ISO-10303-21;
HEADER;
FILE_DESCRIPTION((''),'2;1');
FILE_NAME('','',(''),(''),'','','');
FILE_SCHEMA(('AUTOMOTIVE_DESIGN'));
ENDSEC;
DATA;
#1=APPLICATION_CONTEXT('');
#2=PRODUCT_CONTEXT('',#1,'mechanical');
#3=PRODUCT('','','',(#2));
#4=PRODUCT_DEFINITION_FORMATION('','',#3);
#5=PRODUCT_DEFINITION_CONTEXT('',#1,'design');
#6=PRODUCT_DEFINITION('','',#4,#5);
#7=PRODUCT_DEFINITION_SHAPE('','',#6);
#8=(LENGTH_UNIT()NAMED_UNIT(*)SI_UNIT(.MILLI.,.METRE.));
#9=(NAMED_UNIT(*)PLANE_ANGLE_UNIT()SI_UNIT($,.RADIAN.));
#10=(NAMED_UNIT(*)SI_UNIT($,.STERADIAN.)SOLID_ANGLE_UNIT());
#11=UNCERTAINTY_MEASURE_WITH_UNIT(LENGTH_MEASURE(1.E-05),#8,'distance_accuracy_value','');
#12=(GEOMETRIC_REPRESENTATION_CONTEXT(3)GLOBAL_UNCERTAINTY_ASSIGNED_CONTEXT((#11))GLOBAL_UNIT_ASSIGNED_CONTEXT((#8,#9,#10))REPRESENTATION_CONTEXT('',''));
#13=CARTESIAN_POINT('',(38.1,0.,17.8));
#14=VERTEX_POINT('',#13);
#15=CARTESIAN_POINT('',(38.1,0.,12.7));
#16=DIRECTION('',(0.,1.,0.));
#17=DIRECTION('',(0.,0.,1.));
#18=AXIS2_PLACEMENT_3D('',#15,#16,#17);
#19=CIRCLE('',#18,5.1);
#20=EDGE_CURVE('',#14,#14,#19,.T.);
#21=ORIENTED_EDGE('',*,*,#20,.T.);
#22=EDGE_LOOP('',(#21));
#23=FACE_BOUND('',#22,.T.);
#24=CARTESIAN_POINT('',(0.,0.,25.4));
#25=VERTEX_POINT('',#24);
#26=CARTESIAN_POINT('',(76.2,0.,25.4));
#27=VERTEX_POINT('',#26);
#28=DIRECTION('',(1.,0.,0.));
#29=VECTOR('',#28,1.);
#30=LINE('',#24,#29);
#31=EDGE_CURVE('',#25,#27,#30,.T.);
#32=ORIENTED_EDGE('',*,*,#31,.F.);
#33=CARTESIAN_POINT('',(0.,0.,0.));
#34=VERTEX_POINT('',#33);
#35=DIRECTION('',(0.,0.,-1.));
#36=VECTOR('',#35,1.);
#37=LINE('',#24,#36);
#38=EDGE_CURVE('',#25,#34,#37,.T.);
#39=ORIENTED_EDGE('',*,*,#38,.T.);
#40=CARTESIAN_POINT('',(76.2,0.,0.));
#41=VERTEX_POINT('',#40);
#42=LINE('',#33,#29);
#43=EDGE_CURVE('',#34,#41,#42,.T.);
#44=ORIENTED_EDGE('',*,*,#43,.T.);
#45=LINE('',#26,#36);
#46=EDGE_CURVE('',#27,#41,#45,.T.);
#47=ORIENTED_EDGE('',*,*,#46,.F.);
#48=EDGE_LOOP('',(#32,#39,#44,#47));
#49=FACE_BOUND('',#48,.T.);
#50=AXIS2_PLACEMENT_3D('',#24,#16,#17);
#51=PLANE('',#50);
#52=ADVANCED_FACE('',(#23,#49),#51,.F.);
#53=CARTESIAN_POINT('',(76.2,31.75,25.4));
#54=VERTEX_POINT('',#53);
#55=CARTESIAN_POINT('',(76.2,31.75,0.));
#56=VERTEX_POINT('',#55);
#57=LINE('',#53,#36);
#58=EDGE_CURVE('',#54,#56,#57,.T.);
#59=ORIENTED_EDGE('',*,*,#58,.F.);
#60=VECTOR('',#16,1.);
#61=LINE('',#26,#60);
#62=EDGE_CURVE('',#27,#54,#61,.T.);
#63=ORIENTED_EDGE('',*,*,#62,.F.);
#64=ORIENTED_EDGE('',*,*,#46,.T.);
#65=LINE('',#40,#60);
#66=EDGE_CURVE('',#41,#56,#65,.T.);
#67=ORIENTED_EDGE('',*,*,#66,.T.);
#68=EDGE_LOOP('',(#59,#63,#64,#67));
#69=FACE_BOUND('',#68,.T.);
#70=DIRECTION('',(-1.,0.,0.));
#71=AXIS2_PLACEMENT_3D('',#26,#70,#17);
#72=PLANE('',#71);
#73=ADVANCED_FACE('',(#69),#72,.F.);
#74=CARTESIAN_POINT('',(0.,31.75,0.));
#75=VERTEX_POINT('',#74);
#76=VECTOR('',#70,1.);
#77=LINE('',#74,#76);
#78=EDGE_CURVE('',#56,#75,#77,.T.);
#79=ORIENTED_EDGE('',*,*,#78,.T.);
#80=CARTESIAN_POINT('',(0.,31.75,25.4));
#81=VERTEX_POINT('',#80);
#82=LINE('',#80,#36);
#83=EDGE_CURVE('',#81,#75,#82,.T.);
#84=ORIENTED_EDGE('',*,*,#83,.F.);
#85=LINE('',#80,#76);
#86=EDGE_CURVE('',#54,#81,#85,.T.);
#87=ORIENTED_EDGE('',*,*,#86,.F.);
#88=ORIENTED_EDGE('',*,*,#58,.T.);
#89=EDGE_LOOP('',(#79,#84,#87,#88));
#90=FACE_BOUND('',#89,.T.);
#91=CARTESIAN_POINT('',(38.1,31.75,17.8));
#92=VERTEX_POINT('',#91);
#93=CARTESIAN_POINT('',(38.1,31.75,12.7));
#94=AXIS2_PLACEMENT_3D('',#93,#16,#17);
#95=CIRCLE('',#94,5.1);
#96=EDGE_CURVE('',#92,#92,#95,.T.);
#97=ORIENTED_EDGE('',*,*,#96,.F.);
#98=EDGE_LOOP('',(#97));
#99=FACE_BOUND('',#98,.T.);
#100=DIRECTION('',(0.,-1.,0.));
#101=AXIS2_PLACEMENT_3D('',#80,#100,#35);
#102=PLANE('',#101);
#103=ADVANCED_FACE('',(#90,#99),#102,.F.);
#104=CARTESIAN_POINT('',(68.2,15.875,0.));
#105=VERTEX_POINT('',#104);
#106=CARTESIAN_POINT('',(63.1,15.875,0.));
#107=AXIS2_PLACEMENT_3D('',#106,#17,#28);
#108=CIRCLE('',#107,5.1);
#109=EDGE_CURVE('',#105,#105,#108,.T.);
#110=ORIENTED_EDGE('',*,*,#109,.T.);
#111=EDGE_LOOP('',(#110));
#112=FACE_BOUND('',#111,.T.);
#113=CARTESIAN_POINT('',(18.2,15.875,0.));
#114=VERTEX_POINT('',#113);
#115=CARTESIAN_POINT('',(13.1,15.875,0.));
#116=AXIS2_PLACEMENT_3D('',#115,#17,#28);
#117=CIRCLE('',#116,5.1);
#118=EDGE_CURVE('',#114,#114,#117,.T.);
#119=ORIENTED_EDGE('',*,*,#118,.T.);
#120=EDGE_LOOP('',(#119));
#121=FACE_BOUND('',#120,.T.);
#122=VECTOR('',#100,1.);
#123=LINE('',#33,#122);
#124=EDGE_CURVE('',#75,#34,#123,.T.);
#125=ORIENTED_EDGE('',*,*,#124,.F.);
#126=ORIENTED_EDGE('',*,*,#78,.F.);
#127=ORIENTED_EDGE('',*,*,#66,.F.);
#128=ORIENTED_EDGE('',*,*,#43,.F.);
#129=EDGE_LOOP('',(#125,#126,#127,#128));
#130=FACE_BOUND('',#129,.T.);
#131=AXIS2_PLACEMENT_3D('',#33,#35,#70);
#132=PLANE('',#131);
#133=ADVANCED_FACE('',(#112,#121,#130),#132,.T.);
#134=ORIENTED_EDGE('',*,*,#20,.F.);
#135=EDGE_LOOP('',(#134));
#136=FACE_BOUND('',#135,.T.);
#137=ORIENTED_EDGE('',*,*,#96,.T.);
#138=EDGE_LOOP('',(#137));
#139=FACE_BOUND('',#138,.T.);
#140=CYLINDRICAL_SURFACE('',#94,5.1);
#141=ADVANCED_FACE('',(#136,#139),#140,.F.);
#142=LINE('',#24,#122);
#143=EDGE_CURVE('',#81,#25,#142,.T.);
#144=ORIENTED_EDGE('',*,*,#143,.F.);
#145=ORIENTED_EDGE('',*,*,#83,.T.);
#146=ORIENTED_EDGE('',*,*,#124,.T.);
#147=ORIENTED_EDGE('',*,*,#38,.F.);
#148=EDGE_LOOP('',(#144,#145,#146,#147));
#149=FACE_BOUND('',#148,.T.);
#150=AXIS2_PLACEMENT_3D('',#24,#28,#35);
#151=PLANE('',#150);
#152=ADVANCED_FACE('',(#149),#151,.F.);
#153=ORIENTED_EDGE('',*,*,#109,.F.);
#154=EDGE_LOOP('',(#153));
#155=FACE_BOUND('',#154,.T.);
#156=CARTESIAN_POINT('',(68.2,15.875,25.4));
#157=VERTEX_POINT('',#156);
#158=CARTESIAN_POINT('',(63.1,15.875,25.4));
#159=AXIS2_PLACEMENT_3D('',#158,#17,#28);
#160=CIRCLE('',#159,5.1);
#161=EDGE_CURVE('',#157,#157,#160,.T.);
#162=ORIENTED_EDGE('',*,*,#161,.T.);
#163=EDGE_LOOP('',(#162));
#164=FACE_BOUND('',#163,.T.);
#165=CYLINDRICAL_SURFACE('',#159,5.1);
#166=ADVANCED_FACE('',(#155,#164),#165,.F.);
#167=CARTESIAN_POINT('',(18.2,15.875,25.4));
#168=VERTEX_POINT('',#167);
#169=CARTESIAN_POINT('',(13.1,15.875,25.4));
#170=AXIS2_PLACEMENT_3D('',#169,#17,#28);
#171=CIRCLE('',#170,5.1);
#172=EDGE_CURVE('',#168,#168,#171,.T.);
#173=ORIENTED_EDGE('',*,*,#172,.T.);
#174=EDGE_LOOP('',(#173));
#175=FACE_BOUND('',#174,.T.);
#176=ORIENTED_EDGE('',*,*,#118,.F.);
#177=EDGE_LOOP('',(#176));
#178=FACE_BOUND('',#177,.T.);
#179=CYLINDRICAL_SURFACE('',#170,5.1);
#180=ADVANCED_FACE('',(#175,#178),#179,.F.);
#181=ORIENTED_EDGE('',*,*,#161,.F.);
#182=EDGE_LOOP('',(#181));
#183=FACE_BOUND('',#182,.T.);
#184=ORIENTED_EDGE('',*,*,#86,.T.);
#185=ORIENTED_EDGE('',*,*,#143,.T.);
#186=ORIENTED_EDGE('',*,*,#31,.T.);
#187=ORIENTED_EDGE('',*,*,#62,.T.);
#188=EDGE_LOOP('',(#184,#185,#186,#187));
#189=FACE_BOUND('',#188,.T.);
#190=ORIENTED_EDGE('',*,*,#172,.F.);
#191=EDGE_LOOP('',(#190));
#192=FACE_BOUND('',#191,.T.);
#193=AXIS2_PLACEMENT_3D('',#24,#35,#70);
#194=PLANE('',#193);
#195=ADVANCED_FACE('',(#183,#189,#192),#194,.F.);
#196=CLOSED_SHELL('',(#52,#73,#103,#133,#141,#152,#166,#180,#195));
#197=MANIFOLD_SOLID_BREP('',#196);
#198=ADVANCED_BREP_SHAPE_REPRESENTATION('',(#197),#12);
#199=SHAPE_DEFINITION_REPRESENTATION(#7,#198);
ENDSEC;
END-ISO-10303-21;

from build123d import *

# Parameters (mm, degrees)
SKETCH1_W           = 76.2
SKETCH1_H           = 31.75
BOSS_EXTRUDE1_DEPTH = 25.4
M12_TAPPED_HOLE2_D  = 10.2
M12_TAPPED_HOLE1_D  = 10.2


with BuildPart() as part:
    # Sketch1 → Boss-Extrude1 (new body)
    with BuildSketch(Plane.XY):
        with Locations((38.1, 15.875)):
            Rectangle(SKETCH1_W, SKETCH1_H)
    extrude(amount=BOSS_EXTRUDE1_DEPTH)

    # M12 Tapped Hole2 (through all)
    with Locations(Plane.XY.offset(25.4)):
        with Locations((13.1, 15.875), (63.1, 15.875)):
            Hole(M12_TAPPED_HOLE2_D / 2)

    # M12 Tapped Hole1 (through all)
    with Locations(Plane(origin=(0, 31.75, 0), x_dir=(1, 0, 0), z_dir=(0, 1, 0))):
        with Locations((38.1, -12.7)):
            Hole(M12_TAPPED_HOLE1_D / 2)


solid = part.part
